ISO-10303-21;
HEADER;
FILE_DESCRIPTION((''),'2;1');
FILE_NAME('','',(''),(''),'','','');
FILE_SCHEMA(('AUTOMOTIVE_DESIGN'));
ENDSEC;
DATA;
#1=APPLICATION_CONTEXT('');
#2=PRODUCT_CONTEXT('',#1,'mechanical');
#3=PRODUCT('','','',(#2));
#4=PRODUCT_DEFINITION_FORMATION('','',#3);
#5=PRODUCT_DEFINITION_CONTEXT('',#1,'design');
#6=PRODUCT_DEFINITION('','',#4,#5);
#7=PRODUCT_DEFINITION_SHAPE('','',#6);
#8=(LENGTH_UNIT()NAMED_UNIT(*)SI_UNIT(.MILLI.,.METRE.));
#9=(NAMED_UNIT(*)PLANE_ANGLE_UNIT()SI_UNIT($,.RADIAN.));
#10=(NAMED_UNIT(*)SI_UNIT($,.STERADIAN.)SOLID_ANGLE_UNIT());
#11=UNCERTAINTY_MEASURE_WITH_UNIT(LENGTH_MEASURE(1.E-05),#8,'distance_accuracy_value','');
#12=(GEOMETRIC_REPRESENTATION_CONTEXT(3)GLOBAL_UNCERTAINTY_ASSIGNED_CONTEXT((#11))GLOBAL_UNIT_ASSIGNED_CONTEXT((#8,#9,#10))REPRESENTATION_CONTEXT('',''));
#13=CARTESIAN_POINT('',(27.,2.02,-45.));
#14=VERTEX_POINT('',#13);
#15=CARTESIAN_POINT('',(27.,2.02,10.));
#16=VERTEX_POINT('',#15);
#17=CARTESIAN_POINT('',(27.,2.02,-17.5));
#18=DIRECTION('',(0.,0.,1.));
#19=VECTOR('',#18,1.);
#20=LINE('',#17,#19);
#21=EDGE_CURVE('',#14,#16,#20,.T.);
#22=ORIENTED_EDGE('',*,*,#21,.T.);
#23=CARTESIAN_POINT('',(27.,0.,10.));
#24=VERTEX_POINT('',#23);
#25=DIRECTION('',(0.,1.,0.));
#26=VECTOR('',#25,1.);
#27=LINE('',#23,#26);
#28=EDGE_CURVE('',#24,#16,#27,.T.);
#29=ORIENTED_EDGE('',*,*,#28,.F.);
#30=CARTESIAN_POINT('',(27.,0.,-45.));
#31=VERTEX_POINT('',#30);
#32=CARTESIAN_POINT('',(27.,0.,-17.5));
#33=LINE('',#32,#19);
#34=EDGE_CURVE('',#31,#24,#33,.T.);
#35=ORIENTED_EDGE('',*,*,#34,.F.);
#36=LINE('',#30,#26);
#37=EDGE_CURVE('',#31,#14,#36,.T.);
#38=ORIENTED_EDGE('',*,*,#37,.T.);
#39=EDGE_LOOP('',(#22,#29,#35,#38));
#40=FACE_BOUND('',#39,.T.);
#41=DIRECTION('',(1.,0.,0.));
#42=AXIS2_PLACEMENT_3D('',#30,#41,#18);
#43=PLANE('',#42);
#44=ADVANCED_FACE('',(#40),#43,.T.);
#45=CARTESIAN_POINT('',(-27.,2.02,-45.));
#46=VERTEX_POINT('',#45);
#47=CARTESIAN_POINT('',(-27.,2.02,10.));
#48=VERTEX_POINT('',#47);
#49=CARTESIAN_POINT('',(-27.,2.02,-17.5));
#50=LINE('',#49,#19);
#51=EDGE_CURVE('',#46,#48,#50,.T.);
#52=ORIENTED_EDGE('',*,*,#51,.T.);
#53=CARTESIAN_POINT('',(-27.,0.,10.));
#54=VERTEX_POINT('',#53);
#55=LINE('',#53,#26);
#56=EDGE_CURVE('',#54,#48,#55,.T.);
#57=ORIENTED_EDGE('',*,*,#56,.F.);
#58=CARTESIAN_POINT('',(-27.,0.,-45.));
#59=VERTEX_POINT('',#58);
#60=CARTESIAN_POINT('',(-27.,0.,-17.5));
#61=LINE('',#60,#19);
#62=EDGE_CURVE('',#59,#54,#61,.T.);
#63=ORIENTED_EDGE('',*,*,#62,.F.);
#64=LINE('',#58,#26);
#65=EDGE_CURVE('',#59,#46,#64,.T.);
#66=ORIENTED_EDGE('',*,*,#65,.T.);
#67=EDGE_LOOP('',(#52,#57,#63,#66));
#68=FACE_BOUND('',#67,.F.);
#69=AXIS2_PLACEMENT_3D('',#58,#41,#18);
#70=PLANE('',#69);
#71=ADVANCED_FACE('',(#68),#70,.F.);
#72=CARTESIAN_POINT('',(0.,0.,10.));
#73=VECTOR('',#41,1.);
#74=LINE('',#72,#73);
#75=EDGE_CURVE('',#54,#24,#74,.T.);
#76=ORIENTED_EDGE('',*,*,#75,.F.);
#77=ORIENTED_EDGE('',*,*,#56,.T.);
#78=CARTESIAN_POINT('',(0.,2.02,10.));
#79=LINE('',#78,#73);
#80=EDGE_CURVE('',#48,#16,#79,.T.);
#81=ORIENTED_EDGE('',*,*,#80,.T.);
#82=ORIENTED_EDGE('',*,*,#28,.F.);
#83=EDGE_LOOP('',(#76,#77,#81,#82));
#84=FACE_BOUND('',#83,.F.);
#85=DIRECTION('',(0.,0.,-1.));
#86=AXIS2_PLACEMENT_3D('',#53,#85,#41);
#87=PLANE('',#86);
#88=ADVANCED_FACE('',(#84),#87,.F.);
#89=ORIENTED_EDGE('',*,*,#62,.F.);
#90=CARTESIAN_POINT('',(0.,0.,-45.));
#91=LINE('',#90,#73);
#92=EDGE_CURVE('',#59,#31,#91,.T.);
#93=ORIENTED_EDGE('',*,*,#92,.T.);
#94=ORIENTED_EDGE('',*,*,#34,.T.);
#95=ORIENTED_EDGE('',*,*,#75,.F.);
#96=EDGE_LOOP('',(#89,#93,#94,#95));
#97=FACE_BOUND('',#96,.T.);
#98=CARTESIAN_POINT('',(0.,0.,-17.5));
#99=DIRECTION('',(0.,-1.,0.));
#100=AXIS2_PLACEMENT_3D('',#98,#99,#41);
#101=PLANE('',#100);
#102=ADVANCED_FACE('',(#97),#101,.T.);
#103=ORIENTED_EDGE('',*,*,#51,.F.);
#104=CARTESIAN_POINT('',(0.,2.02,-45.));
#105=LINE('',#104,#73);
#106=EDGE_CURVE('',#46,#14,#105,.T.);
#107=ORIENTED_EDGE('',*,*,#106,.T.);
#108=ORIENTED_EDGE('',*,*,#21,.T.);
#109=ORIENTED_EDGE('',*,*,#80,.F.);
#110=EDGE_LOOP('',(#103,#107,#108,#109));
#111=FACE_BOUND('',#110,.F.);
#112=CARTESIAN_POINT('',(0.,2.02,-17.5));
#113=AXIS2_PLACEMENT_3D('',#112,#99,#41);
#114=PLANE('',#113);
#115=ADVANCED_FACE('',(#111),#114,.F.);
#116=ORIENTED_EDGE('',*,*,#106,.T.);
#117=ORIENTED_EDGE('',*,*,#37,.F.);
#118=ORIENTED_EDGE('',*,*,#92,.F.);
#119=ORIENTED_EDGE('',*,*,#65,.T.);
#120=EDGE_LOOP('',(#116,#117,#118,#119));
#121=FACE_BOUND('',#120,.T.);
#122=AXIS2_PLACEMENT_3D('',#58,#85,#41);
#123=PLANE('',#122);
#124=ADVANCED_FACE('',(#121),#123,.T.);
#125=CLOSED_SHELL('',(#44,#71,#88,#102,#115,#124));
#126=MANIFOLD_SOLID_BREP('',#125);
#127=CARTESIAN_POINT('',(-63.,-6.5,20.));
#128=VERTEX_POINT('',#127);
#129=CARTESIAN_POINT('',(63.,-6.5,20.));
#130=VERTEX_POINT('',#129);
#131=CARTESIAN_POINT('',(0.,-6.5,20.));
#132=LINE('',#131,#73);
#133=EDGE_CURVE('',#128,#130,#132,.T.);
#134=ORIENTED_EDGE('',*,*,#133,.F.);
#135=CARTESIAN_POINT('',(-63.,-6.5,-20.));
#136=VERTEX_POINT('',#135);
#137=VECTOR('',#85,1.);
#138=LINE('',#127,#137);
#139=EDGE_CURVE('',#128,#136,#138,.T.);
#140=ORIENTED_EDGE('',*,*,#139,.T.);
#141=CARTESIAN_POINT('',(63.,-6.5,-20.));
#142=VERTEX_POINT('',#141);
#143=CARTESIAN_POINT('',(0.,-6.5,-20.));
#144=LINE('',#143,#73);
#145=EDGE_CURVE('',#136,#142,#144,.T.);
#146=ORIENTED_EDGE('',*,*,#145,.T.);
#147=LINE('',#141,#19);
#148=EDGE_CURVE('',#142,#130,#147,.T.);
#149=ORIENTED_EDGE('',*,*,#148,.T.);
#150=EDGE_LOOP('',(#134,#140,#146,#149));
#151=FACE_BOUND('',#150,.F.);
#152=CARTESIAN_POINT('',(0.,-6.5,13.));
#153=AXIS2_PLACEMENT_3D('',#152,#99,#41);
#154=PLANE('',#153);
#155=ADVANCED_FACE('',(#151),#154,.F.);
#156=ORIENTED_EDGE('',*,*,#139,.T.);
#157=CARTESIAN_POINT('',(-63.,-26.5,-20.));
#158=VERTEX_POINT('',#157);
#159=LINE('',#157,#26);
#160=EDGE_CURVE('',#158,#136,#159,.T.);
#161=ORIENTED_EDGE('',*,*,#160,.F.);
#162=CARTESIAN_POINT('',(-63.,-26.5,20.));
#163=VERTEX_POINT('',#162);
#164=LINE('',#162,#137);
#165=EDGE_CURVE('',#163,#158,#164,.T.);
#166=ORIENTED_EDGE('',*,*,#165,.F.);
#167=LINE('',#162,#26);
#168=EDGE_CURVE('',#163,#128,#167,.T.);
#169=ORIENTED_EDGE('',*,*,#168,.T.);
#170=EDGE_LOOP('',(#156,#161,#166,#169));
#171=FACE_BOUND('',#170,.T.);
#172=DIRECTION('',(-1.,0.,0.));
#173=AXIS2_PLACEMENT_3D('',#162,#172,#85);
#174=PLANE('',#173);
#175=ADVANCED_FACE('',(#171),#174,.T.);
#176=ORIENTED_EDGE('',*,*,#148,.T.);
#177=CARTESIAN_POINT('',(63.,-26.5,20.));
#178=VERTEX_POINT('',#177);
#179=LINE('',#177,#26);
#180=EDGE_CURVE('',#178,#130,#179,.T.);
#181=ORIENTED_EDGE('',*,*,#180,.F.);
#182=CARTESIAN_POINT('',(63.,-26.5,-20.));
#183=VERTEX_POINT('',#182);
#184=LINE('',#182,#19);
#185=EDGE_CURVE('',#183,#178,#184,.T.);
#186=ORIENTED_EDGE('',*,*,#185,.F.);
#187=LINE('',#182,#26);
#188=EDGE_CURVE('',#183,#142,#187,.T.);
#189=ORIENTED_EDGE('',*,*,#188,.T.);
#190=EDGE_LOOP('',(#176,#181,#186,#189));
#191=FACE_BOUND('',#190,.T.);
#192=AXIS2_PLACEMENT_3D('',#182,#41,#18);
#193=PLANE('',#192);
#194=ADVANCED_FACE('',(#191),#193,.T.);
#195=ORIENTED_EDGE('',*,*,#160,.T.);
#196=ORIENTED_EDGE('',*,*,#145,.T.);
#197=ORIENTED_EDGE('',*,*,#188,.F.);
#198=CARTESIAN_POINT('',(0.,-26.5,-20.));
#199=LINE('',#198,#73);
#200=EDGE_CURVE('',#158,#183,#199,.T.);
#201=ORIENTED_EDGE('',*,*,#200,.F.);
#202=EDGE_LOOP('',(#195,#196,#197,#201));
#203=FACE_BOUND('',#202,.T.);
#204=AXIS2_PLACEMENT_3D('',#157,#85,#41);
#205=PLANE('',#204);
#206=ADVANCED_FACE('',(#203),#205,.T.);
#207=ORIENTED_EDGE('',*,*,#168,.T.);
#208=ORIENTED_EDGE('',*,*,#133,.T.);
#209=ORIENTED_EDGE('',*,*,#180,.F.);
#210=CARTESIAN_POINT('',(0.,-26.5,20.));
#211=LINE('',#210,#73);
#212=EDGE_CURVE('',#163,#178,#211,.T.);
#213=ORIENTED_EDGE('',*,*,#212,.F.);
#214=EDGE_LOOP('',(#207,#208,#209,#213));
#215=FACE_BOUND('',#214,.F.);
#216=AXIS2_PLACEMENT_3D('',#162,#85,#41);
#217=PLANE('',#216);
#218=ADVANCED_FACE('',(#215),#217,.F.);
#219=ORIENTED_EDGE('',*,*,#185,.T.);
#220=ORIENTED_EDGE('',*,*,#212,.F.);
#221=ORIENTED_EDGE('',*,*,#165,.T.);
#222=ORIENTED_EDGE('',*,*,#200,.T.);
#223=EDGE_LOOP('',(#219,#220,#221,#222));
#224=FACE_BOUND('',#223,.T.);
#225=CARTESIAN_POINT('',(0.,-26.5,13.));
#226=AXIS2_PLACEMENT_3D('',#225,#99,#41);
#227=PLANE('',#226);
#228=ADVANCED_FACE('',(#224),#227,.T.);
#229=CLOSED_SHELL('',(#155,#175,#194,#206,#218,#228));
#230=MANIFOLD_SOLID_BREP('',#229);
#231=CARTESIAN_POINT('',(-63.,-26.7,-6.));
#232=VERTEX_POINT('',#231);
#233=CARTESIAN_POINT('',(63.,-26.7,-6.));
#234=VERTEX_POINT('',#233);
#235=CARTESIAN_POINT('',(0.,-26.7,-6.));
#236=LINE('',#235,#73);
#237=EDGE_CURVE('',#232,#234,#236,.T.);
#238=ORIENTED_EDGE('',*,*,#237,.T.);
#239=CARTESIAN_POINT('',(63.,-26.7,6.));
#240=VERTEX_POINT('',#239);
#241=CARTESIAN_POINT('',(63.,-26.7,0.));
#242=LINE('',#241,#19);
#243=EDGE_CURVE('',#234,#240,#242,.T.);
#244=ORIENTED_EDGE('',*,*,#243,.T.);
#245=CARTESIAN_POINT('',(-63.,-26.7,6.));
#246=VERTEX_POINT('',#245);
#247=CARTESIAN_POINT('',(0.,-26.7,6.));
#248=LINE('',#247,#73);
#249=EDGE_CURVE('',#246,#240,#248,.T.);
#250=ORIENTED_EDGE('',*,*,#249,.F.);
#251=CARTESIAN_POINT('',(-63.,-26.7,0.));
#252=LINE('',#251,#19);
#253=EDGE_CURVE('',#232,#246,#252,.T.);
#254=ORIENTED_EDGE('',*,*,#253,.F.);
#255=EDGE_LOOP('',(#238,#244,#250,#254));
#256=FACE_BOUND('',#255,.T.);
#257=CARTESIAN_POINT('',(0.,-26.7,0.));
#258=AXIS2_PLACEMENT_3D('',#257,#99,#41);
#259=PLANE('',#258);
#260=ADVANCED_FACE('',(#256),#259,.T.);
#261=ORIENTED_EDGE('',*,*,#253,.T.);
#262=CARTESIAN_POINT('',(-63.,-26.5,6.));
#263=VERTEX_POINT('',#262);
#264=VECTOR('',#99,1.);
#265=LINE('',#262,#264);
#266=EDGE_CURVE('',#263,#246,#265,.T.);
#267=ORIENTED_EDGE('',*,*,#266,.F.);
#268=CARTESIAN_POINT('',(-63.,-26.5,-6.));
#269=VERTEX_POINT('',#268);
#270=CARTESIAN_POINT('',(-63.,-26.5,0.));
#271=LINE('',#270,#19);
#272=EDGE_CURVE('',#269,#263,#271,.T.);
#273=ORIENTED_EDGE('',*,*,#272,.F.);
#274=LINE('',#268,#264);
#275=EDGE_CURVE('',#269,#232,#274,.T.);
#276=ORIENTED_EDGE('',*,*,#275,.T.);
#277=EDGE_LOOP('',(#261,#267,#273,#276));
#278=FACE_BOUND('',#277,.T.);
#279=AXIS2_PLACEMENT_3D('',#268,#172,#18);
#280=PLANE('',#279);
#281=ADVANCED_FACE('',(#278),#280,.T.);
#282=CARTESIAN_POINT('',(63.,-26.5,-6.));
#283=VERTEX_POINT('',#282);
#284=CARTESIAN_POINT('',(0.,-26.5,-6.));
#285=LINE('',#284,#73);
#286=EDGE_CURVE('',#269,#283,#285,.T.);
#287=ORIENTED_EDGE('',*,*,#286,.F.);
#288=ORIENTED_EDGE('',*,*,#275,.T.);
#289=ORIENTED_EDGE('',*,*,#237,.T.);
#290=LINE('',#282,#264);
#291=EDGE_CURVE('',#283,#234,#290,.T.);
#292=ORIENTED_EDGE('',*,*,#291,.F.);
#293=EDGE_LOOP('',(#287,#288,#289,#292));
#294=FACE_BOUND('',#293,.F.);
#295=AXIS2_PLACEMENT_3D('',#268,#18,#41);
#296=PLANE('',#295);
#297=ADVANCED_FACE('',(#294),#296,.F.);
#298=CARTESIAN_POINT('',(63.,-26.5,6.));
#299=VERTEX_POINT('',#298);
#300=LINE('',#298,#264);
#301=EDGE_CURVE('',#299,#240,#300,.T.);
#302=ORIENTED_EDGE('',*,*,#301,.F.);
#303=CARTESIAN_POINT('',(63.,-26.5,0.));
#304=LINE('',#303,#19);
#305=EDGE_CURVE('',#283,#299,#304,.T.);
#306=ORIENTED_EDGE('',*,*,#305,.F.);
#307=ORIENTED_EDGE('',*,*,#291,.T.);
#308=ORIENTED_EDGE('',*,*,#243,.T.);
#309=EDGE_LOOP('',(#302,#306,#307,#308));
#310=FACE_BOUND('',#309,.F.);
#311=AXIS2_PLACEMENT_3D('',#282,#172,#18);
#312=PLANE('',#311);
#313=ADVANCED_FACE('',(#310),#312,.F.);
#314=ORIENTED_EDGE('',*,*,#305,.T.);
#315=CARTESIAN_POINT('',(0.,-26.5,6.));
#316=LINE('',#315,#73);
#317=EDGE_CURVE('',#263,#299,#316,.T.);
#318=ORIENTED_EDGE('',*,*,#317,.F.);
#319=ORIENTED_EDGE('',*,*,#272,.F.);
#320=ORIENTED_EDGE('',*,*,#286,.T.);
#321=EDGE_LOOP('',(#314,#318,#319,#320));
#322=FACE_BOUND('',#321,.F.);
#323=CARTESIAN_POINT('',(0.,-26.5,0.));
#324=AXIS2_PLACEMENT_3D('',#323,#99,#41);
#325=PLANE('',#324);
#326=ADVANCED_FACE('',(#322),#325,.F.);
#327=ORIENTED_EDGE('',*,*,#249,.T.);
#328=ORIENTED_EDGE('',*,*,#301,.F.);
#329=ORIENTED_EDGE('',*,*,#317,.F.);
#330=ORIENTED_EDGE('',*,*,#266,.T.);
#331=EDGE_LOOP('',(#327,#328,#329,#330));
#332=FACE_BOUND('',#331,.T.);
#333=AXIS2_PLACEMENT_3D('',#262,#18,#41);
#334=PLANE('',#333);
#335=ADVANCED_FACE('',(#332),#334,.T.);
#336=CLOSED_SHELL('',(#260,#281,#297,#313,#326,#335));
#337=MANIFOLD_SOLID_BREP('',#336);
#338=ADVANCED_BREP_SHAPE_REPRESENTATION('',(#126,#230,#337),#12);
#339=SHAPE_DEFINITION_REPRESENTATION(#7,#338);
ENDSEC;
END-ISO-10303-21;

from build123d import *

# Parameters (mm, degrees)
F0_W     = 54
F0_H     = 55
F1_DEPTH = 2.02
F3_W     = 126
F3_H     = 14
F3_H_2   = 12
F4_DEPTH = 20
F5_DEPTH = 0.2


with BuildPart() as f1:
    # F0 (on Front) → F1 (new body)
    with BuildSketch(Plane.XZ):
        with Locations((0, -17.5)):
            Rectangle(F0_W, F0_H)
    extrude(amount=-F1_DEPTH)


with BuildPart() as f4:
    # F3 (on offset) → F4 (new body)
    with BuildSketch(Plane.XZ.offset(26.5)):
        with Locations((0, 13)):
            Rectangle(F3_W, F3_H)
        Rectangle(F3_W, F3_H_2)
        with Locations((0, -13)):
            Rectangle(F3_W, F3_H)
    extrude(amount=-F4_DEPTH)


with BuildPart() as f5:
    # F3 (on offset) → F5 (new body)
    with BuildSketch(Plane.XZ.offset(26.5)):
        Rectangle(F3_W, F3_H_2)
    extrude(amount=F5_DEPTH)


solid = Compound([f1.part, f4.part, f5.part])
